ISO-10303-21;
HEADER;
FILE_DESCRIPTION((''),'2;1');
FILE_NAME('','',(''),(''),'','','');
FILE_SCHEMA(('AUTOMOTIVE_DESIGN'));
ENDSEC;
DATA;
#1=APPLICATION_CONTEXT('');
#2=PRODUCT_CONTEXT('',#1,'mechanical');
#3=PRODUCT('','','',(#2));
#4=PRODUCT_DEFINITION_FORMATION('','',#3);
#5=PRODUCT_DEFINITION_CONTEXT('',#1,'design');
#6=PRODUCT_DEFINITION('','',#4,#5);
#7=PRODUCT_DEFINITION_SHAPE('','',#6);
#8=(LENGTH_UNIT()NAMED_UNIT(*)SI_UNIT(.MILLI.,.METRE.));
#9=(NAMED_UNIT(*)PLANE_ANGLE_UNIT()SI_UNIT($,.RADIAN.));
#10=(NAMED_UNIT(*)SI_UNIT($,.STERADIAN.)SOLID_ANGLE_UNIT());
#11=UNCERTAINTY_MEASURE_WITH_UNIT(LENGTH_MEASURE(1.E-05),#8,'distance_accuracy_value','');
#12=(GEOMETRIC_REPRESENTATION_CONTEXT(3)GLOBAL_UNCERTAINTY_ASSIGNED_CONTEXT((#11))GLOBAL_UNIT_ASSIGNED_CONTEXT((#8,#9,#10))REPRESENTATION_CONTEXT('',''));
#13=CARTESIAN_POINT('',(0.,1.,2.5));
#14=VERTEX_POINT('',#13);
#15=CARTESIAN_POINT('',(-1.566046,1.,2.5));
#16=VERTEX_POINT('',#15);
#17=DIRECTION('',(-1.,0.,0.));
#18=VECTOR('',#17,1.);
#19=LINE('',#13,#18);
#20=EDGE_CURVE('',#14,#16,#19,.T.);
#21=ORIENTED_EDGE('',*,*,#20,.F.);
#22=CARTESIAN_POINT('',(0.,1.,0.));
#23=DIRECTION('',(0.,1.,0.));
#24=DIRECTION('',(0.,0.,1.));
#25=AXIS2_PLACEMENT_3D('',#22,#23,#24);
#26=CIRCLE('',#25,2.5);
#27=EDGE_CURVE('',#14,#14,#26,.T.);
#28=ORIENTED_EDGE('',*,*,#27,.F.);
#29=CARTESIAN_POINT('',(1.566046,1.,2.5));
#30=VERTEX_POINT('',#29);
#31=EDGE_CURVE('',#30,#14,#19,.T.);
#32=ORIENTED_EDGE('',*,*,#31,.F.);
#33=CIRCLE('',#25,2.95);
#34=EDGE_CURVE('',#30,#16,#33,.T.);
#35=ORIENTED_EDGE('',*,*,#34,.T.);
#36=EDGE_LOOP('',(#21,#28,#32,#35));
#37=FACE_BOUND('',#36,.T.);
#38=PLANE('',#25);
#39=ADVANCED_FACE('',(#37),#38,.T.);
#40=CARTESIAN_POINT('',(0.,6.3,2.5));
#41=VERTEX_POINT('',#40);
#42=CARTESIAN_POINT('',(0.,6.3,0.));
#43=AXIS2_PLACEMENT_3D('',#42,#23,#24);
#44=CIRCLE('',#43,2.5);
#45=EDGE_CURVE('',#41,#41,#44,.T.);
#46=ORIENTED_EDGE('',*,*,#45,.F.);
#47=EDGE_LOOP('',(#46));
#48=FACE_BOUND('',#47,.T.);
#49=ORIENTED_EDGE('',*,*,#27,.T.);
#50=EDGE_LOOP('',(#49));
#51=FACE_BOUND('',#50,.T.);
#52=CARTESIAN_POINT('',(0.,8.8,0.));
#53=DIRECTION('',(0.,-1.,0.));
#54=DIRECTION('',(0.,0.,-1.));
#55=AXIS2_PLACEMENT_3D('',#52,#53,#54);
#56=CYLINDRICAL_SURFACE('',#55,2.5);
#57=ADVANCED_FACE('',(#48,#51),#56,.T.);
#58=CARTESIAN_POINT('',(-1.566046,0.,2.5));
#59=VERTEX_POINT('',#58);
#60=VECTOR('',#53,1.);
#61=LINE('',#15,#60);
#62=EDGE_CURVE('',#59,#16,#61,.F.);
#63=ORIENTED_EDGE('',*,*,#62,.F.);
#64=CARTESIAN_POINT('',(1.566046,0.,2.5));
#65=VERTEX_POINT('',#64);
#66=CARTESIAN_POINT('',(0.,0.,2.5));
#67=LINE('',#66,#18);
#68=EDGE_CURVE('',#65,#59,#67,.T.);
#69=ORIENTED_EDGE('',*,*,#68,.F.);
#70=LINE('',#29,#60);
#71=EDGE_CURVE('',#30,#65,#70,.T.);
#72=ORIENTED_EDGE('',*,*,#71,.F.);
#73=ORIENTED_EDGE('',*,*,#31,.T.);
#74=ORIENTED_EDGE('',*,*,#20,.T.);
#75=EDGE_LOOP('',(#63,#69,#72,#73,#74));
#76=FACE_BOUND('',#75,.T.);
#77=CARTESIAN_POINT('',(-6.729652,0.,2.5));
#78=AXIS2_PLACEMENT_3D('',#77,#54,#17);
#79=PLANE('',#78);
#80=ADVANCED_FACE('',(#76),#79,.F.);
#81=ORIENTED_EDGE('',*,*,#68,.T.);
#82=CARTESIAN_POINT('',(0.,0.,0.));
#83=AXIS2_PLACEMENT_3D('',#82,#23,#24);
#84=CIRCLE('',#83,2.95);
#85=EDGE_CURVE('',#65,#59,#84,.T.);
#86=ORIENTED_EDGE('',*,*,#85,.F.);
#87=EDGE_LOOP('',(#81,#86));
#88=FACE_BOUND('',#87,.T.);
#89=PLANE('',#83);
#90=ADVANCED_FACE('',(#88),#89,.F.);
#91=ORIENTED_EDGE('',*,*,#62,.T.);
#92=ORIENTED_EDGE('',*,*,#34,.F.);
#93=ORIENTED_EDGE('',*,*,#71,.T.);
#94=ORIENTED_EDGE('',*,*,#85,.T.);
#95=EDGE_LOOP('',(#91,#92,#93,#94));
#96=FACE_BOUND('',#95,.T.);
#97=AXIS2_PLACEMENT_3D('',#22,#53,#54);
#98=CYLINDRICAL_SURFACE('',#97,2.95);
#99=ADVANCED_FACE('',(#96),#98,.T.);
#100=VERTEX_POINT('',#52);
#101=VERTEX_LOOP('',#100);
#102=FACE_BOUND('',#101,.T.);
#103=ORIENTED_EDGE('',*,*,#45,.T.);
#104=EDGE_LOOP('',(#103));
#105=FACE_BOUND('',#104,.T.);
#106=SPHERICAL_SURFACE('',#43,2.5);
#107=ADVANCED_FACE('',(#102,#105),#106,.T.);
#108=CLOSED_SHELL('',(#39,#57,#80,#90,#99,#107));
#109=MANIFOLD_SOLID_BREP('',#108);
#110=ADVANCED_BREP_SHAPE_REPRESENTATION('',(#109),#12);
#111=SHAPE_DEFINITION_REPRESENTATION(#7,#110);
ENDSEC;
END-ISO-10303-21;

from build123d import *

# Parameters (mm, degrees)
SKETCH1_R               = 2.95
BOSS_EXTRUDE4_DEPTH     = 1
SKETCH2_R               = 2.5
BOSS_EXTRUDE5_DEPTH     = 7.8
SKETCH4_W               = 16.58699552
SKETCH4_H               = 3.788232685
CUT_EXTRUDE2_DEPTH      = 8.8
CUT_EXTRUDE2_DEPTH_BACK = 2


with BuildPart() as part:
    # Sketch1 → Boss-Extrude4 (new body)
    with BuildSketch(Plane(origin=(0, 0, 0), x_dir=(1, 0, 0), z_dir=(0, 1, 0))):
        Circle(SKETCH1_R)
    extrude(amount=BOSS_EXTRUDE4_DEPTH)

    # Sketch2 → Boss-Extrude5 (add)
    with BuildSketch(Plane(origin=(0, 1, 0), x_dir=(1, 0, 0), z_dir=(0, 1, 0))):
        Circle(SKETCH2_R)
    extrude(amount=BOSS_EXTRUDE5_DEPTH)

    # Sketch3 → Cut-Revolve5 (revolve, cut)
    with BuildSketch(Plane(origin=(0, 0, 0), x_dir=(0, 0, -1), z_dir=(1, 0, 0))):
        with BuildLine():
            ThreePointArc((0, 8.8), (-1.767766953, 8.067766953), (-2.5, 6.3))
            Line((-2.5, 6.3), (-2.5, 1))
            Line((-2.5, 1), (-5.449902287, 1))
            Line((-5.449902287, 1), (-5.449902287, 10.727798838))
            Line((-5.449902287, 10.727798838), (0, 10.727798838))
            Line((0, 10.727798838), (0, 8.8))
        make_face()
    revolve(axis=Axis((0, 11.133122405, 0), (0, -1, 0)), mode=Mode.SUBTRACT)

    # Sketch4 → Cut-Extrude2 (cut, two sides)
    with BuildSketch(Plane(origin=(0, 1, 0), x_dir=(1, 0, 0), z_dir=(0, 1, 0))) as cut_extrude2_sk:
        with Locations((1.563846093, -4.394116343)):
            Rectangle(SKETCH4_W, SKETCH4_H)
    extrude(amount=CUT_EXTRUDE2_DEPTH, mode=Mode.SUBTRACT)
    extrude(cut_extrude2_sk.sketch, amount=-CUT_EXTRUDE2_DEPTH_BACK, mode=Mode.SUBTRACT)


solid = part.part
